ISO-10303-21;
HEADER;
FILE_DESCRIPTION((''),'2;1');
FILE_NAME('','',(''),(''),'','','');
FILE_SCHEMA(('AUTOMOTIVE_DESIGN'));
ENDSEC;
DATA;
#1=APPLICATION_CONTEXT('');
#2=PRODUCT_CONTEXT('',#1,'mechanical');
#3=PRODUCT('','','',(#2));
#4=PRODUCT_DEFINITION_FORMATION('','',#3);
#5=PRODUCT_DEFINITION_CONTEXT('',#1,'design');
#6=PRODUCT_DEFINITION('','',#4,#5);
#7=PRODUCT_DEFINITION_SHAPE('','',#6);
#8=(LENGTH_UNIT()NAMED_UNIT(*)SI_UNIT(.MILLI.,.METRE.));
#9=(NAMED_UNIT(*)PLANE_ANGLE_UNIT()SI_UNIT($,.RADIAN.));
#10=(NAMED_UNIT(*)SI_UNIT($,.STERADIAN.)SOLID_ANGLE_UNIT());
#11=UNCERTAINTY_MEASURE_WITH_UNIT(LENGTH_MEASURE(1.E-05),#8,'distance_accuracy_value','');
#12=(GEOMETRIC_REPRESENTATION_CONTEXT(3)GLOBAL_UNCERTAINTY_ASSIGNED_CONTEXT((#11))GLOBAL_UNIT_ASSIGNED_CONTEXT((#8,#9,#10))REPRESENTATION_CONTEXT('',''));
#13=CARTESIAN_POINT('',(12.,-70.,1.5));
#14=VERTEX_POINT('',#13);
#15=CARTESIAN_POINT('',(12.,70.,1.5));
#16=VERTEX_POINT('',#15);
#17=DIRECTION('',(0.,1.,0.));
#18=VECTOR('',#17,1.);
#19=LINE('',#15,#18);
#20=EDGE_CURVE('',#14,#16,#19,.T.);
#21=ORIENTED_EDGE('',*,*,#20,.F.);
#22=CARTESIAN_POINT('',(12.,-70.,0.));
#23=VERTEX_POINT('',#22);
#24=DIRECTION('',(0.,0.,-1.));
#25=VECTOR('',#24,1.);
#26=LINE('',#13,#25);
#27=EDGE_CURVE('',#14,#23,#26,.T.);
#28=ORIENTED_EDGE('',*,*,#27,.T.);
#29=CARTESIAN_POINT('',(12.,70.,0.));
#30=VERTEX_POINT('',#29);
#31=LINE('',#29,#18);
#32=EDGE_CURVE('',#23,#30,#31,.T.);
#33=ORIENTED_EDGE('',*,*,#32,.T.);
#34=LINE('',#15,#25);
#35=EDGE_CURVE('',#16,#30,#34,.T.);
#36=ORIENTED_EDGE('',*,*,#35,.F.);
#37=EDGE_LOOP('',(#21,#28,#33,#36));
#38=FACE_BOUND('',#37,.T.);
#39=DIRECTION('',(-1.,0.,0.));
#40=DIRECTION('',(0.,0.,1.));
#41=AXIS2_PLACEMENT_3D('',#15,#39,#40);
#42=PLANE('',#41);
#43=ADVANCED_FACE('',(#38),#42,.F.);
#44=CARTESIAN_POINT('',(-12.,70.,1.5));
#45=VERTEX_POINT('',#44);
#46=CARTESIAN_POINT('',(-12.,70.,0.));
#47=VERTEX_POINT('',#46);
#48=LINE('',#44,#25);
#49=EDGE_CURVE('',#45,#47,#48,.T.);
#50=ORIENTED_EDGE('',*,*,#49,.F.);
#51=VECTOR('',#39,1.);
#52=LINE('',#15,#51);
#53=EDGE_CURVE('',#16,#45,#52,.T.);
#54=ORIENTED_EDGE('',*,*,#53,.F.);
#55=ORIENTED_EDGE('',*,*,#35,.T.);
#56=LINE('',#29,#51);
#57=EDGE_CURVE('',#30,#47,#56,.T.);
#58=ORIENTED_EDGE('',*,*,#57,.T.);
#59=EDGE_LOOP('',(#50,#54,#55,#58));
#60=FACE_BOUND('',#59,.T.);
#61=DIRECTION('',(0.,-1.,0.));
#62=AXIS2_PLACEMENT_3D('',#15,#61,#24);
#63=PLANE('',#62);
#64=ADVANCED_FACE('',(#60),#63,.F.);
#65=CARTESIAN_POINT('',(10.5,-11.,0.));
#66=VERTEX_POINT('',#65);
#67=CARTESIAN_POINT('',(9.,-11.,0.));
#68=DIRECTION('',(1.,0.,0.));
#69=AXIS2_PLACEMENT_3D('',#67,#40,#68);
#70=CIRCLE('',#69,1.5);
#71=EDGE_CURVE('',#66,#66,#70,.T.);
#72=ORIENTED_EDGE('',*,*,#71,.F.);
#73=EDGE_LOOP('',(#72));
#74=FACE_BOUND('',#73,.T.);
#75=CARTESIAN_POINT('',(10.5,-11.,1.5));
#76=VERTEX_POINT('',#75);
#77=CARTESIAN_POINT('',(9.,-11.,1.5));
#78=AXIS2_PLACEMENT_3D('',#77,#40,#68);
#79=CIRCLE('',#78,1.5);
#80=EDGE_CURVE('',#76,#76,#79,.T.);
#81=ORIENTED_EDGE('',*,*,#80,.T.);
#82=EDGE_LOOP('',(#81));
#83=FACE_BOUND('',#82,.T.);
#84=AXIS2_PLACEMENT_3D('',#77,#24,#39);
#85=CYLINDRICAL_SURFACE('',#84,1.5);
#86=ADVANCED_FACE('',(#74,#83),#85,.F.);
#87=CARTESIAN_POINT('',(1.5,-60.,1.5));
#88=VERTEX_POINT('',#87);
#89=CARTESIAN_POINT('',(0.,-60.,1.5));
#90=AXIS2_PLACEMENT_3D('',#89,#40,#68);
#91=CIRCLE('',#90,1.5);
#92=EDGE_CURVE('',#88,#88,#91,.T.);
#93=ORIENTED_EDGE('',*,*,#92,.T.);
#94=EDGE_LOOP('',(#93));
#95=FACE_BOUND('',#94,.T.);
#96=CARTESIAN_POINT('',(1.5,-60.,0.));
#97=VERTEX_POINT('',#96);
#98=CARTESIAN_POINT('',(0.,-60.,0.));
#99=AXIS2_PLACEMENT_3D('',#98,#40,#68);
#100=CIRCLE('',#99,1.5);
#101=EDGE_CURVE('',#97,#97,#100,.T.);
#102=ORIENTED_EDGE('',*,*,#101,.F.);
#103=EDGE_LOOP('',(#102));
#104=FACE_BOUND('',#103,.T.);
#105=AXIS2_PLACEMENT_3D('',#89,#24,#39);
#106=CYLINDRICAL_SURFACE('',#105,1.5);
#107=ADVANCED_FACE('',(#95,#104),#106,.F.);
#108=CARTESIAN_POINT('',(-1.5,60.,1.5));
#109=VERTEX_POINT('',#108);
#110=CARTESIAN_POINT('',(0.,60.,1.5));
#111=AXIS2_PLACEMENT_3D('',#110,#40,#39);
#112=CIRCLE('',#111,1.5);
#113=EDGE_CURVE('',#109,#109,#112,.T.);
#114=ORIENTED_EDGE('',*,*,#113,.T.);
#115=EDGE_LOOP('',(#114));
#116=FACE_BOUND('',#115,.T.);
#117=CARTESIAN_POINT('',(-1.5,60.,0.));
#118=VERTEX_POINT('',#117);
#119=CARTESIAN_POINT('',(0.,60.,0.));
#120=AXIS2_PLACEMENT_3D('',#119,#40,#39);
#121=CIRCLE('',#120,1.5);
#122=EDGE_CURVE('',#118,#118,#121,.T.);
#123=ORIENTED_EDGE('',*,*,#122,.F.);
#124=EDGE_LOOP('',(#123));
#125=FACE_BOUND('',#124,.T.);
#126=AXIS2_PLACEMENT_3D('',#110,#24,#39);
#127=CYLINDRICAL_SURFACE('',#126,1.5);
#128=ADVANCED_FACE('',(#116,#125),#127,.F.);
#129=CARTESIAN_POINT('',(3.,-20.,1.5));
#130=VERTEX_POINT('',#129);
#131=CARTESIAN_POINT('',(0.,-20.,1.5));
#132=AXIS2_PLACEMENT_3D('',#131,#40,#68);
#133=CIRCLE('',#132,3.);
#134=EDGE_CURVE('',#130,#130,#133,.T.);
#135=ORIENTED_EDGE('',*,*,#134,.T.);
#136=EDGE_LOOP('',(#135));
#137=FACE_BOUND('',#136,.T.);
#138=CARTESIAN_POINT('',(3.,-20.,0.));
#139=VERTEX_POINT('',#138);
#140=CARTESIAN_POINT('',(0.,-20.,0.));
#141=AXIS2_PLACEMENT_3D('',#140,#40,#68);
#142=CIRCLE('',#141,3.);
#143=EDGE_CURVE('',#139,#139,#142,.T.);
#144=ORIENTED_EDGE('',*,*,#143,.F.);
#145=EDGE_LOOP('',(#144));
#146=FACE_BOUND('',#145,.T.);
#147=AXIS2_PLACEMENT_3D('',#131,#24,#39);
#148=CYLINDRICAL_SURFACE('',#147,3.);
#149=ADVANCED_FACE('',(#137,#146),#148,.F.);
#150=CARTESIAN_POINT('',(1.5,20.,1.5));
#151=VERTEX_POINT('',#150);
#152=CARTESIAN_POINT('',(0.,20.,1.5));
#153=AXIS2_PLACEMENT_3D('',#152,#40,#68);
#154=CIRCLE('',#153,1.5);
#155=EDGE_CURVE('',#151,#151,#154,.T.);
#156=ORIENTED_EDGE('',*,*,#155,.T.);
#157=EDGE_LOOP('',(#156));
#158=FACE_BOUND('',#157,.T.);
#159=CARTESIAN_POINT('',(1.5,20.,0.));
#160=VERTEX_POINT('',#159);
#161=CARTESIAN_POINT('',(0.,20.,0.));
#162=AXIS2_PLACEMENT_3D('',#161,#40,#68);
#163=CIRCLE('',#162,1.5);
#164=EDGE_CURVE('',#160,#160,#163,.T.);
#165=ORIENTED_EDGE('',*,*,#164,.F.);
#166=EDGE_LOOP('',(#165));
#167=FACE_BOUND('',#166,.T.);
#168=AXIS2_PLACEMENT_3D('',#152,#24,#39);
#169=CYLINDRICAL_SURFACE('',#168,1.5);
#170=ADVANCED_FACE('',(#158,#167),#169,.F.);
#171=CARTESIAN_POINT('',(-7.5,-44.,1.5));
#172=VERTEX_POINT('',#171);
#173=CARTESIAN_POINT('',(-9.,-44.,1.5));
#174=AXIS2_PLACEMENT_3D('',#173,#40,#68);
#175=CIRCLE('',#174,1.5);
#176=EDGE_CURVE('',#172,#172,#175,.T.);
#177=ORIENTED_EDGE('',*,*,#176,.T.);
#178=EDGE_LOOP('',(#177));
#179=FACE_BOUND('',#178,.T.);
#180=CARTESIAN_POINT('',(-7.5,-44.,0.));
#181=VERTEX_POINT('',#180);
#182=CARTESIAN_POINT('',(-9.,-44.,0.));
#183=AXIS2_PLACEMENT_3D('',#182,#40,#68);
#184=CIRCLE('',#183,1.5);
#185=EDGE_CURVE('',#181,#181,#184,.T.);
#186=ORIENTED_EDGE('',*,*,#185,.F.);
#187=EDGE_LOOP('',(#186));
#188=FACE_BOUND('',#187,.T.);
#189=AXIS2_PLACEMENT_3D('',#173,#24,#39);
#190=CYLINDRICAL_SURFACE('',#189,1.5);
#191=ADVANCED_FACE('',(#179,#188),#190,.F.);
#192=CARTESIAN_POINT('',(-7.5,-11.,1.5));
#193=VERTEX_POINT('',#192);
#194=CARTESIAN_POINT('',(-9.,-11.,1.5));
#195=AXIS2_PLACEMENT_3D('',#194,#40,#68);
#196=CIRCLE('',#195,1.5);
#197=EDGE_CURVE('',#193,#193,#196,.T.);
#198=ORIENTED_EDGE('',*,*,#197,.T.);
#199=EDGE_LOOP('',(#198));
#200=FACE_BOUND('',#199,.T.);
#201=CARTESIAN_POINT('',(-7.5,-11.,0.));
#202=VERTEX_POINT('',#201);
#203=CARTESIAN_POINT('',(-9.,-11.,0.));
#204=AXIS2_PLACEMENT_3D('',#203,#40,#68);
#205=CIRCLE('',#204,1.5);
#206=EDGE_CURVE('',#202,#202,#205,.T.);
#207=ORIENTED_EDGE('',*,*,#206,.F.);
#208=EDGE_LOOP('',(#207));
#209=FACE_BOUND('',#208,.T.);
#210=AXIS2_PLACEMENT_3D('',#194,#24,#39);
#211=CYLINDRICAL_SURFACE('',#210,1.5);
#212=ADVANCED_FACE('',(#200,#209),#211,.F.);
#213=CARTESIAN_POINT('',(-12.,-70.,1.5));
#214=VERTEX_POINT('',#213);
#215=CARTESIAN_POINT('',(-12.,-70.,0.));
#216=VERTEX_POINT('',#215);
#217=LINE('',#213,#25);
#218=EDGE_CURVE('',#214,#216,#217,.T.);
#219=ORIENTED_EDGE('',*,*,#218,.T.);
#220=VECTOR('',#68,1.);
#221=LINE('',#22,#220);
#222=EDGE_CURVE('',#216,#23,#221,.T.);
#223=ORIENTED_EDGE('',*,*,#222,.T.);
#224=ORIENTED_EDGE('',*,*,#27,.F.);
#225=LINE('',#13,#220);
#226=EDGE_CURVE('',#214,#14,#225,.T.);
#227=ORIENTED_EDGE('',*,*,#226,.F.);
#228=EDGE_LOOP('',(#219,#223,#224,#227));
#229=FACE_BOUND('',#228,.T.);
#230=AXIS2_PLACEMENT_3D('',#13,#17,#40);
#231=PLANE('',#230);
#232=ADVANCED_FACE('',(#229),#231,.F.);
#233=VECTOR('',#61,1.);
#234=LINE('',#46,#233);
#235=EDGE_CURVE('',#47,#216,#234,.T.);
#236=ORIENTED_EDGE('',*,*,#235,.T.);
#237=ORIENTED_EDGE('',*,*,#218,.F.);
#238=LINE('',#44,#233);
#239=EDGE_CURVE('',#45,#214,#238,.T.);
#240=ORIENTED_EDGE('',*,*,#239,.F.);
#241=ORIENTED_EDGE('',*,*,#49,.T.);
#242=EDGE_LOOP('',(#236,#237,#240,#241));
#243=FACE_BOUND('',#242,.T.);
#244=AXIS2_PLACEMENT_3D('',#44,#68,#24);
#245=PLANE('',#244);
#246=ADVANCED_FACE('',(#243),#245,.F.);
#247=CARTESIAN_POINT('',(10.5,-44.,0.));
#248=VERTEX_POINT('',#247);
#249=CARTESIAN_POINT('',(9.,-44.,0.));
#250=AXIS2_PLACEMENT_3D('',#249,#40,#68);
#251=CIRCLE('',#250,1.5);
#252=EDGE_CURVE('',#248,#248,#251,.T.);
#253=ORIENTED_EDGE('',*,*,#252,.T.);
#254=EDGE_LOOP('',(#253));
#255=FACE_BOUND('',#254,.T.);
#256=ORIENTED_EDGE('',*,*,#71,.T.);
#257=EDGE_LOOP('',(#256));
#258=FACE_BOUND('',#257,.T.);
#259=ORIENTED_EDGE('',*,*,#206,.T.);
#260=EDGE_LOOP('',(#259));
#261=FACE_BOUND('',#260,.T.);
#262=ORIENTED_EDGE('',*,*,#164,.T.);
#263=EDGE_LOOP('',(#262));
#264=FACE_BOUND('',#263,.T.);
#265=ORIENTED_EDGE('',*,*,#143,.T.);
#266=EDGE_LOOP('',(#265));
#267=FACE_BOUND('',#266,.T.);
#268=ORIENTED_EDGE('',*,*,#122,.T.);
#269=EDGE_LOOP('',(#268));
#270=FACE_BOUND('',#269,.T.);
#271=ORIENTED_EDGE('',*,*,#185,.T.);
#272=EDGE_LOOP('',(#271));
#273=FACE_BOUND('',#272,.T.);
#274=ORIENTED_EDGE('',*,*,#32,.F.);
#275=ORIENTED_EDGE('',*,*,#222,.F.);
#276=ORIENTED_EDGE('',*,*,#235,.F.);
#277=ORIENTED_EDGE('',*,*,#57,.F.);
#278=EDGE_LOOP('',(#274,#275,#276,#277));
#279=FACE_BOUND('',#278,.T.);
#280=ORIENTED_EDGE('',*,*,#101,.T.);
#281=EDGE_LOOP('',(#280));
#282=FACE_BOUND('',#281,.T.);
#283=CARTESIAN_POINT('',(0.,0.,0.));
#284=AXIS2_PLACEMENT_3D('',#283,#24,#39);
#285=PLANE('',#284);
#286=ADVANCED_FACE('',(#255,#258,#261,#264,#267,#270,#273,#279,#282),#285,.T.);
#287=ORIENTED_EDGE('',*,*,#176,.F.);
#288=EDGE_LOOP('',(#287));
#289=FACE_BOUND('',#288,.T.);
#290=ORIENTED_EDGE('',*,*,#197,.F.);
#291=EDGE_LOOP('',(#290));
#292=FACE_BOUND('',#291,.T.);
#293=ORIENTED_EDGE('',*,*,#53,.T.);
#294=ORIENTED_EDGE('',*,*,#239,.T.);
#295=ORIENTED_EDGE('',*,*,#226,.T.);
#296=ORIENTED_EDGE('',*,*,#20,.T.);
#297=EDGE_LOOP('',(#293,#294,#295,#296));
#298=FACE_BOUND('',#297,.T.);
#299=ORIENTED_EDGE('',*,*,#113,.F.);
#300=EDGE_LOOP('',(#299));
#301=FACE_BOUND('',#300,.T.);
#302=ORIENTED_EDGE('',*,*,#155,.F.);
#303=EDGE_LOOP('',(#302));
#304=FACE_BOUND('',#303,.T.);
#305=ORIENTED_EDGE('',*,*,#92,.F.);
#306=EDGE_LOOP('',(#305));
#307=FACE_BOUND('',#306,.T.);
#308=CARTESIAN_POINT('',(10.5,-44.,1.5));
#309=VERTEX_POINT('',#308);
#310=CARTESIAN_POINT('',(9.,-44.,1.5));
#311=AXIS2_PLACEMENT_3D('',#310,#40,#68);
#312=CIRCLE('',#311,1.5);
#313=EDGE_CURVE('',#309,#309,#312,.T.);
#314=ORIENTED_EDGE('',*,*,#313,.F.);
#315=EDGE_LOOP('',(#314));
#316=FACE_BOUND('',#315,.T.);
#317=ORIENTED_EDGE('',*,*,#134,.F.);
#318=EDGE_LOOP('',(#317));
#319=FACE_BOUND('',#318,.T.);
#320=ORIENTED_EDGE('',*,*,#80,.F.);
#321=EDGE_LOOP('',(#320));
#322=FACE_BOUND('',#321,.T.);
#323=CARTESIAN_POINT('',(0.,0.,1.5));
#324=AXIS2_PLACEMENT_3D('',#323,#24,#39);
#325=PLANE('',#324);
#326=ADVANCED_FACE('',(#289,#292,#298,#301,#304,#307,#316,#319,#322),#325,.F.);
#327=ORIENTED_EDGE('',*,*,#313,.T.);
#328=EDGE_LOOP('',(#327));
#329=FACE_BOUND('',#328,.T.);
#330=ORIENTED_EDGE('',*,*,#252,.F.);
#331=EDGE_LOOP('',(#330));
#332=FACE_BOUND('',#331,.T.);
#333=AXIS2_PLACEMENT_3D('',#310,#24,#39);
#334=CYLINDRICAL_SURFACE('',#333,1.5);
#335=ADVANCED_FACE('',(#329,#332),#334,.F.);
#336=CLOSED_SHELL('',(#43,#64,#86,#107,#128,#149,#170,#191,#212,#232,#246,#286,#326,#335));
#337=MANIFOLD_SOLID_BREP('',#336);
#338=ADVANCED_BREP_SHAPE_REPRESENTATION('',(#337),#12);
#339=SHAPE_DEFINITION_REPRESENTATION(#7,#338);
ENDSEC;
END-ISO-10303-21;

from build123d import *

# Parameters (mm, degrees)
SKETCH_1_W      = 24
SKETCH_1_H      = 140
SKETCH_1_R      = 1.5
SKETCH_1_R_2    = 3
EXTRUDE_1_DEPTH = 1.5


with BuildPart() as part:
    # 草图1 → 凸台-拉伸1 (new body)
    with BuildSketch(Plane.XY):
        Rectangle(SKETCH_1_W, SKETCH_1_H)
        with Locations((0, 20)):
            Circle(SKETCH_1_R, mode=Mode.SUBTRACT)
        with Locations((0, -60)):
            Circle(SKETCH_1_R, mode=Mode.SUBTRACT)
        with Locations(Location((0, 60, 0), (0, 0, 180))):
            Circle(SKETCH_1_R, mode=Mode.SUBTRACT)
        with Locations((-9, -11)):
            Circle(SKETCH_1_R, mode=Mode.SUBTRACT)
        with Locations((9, -11)):
            Circle(SKETCH_1_R, mode=Mode.SUBTRACT)
        with Locations((9, -44)):
            Circle(SKETCH_1_R, mode=Mode.SUBTRACT)
        with Locations((-9, -44)):
            Circle(SKETCH_1_R, mode=Mode.SUBTRACT)
        with Locations((0, -20)):
            Circle(SKETCH_1_R_2, mode=Mode.SUBTRACT)
    extrude(amount=EXTRUDE_1_DEPTH)


solid = part.part
